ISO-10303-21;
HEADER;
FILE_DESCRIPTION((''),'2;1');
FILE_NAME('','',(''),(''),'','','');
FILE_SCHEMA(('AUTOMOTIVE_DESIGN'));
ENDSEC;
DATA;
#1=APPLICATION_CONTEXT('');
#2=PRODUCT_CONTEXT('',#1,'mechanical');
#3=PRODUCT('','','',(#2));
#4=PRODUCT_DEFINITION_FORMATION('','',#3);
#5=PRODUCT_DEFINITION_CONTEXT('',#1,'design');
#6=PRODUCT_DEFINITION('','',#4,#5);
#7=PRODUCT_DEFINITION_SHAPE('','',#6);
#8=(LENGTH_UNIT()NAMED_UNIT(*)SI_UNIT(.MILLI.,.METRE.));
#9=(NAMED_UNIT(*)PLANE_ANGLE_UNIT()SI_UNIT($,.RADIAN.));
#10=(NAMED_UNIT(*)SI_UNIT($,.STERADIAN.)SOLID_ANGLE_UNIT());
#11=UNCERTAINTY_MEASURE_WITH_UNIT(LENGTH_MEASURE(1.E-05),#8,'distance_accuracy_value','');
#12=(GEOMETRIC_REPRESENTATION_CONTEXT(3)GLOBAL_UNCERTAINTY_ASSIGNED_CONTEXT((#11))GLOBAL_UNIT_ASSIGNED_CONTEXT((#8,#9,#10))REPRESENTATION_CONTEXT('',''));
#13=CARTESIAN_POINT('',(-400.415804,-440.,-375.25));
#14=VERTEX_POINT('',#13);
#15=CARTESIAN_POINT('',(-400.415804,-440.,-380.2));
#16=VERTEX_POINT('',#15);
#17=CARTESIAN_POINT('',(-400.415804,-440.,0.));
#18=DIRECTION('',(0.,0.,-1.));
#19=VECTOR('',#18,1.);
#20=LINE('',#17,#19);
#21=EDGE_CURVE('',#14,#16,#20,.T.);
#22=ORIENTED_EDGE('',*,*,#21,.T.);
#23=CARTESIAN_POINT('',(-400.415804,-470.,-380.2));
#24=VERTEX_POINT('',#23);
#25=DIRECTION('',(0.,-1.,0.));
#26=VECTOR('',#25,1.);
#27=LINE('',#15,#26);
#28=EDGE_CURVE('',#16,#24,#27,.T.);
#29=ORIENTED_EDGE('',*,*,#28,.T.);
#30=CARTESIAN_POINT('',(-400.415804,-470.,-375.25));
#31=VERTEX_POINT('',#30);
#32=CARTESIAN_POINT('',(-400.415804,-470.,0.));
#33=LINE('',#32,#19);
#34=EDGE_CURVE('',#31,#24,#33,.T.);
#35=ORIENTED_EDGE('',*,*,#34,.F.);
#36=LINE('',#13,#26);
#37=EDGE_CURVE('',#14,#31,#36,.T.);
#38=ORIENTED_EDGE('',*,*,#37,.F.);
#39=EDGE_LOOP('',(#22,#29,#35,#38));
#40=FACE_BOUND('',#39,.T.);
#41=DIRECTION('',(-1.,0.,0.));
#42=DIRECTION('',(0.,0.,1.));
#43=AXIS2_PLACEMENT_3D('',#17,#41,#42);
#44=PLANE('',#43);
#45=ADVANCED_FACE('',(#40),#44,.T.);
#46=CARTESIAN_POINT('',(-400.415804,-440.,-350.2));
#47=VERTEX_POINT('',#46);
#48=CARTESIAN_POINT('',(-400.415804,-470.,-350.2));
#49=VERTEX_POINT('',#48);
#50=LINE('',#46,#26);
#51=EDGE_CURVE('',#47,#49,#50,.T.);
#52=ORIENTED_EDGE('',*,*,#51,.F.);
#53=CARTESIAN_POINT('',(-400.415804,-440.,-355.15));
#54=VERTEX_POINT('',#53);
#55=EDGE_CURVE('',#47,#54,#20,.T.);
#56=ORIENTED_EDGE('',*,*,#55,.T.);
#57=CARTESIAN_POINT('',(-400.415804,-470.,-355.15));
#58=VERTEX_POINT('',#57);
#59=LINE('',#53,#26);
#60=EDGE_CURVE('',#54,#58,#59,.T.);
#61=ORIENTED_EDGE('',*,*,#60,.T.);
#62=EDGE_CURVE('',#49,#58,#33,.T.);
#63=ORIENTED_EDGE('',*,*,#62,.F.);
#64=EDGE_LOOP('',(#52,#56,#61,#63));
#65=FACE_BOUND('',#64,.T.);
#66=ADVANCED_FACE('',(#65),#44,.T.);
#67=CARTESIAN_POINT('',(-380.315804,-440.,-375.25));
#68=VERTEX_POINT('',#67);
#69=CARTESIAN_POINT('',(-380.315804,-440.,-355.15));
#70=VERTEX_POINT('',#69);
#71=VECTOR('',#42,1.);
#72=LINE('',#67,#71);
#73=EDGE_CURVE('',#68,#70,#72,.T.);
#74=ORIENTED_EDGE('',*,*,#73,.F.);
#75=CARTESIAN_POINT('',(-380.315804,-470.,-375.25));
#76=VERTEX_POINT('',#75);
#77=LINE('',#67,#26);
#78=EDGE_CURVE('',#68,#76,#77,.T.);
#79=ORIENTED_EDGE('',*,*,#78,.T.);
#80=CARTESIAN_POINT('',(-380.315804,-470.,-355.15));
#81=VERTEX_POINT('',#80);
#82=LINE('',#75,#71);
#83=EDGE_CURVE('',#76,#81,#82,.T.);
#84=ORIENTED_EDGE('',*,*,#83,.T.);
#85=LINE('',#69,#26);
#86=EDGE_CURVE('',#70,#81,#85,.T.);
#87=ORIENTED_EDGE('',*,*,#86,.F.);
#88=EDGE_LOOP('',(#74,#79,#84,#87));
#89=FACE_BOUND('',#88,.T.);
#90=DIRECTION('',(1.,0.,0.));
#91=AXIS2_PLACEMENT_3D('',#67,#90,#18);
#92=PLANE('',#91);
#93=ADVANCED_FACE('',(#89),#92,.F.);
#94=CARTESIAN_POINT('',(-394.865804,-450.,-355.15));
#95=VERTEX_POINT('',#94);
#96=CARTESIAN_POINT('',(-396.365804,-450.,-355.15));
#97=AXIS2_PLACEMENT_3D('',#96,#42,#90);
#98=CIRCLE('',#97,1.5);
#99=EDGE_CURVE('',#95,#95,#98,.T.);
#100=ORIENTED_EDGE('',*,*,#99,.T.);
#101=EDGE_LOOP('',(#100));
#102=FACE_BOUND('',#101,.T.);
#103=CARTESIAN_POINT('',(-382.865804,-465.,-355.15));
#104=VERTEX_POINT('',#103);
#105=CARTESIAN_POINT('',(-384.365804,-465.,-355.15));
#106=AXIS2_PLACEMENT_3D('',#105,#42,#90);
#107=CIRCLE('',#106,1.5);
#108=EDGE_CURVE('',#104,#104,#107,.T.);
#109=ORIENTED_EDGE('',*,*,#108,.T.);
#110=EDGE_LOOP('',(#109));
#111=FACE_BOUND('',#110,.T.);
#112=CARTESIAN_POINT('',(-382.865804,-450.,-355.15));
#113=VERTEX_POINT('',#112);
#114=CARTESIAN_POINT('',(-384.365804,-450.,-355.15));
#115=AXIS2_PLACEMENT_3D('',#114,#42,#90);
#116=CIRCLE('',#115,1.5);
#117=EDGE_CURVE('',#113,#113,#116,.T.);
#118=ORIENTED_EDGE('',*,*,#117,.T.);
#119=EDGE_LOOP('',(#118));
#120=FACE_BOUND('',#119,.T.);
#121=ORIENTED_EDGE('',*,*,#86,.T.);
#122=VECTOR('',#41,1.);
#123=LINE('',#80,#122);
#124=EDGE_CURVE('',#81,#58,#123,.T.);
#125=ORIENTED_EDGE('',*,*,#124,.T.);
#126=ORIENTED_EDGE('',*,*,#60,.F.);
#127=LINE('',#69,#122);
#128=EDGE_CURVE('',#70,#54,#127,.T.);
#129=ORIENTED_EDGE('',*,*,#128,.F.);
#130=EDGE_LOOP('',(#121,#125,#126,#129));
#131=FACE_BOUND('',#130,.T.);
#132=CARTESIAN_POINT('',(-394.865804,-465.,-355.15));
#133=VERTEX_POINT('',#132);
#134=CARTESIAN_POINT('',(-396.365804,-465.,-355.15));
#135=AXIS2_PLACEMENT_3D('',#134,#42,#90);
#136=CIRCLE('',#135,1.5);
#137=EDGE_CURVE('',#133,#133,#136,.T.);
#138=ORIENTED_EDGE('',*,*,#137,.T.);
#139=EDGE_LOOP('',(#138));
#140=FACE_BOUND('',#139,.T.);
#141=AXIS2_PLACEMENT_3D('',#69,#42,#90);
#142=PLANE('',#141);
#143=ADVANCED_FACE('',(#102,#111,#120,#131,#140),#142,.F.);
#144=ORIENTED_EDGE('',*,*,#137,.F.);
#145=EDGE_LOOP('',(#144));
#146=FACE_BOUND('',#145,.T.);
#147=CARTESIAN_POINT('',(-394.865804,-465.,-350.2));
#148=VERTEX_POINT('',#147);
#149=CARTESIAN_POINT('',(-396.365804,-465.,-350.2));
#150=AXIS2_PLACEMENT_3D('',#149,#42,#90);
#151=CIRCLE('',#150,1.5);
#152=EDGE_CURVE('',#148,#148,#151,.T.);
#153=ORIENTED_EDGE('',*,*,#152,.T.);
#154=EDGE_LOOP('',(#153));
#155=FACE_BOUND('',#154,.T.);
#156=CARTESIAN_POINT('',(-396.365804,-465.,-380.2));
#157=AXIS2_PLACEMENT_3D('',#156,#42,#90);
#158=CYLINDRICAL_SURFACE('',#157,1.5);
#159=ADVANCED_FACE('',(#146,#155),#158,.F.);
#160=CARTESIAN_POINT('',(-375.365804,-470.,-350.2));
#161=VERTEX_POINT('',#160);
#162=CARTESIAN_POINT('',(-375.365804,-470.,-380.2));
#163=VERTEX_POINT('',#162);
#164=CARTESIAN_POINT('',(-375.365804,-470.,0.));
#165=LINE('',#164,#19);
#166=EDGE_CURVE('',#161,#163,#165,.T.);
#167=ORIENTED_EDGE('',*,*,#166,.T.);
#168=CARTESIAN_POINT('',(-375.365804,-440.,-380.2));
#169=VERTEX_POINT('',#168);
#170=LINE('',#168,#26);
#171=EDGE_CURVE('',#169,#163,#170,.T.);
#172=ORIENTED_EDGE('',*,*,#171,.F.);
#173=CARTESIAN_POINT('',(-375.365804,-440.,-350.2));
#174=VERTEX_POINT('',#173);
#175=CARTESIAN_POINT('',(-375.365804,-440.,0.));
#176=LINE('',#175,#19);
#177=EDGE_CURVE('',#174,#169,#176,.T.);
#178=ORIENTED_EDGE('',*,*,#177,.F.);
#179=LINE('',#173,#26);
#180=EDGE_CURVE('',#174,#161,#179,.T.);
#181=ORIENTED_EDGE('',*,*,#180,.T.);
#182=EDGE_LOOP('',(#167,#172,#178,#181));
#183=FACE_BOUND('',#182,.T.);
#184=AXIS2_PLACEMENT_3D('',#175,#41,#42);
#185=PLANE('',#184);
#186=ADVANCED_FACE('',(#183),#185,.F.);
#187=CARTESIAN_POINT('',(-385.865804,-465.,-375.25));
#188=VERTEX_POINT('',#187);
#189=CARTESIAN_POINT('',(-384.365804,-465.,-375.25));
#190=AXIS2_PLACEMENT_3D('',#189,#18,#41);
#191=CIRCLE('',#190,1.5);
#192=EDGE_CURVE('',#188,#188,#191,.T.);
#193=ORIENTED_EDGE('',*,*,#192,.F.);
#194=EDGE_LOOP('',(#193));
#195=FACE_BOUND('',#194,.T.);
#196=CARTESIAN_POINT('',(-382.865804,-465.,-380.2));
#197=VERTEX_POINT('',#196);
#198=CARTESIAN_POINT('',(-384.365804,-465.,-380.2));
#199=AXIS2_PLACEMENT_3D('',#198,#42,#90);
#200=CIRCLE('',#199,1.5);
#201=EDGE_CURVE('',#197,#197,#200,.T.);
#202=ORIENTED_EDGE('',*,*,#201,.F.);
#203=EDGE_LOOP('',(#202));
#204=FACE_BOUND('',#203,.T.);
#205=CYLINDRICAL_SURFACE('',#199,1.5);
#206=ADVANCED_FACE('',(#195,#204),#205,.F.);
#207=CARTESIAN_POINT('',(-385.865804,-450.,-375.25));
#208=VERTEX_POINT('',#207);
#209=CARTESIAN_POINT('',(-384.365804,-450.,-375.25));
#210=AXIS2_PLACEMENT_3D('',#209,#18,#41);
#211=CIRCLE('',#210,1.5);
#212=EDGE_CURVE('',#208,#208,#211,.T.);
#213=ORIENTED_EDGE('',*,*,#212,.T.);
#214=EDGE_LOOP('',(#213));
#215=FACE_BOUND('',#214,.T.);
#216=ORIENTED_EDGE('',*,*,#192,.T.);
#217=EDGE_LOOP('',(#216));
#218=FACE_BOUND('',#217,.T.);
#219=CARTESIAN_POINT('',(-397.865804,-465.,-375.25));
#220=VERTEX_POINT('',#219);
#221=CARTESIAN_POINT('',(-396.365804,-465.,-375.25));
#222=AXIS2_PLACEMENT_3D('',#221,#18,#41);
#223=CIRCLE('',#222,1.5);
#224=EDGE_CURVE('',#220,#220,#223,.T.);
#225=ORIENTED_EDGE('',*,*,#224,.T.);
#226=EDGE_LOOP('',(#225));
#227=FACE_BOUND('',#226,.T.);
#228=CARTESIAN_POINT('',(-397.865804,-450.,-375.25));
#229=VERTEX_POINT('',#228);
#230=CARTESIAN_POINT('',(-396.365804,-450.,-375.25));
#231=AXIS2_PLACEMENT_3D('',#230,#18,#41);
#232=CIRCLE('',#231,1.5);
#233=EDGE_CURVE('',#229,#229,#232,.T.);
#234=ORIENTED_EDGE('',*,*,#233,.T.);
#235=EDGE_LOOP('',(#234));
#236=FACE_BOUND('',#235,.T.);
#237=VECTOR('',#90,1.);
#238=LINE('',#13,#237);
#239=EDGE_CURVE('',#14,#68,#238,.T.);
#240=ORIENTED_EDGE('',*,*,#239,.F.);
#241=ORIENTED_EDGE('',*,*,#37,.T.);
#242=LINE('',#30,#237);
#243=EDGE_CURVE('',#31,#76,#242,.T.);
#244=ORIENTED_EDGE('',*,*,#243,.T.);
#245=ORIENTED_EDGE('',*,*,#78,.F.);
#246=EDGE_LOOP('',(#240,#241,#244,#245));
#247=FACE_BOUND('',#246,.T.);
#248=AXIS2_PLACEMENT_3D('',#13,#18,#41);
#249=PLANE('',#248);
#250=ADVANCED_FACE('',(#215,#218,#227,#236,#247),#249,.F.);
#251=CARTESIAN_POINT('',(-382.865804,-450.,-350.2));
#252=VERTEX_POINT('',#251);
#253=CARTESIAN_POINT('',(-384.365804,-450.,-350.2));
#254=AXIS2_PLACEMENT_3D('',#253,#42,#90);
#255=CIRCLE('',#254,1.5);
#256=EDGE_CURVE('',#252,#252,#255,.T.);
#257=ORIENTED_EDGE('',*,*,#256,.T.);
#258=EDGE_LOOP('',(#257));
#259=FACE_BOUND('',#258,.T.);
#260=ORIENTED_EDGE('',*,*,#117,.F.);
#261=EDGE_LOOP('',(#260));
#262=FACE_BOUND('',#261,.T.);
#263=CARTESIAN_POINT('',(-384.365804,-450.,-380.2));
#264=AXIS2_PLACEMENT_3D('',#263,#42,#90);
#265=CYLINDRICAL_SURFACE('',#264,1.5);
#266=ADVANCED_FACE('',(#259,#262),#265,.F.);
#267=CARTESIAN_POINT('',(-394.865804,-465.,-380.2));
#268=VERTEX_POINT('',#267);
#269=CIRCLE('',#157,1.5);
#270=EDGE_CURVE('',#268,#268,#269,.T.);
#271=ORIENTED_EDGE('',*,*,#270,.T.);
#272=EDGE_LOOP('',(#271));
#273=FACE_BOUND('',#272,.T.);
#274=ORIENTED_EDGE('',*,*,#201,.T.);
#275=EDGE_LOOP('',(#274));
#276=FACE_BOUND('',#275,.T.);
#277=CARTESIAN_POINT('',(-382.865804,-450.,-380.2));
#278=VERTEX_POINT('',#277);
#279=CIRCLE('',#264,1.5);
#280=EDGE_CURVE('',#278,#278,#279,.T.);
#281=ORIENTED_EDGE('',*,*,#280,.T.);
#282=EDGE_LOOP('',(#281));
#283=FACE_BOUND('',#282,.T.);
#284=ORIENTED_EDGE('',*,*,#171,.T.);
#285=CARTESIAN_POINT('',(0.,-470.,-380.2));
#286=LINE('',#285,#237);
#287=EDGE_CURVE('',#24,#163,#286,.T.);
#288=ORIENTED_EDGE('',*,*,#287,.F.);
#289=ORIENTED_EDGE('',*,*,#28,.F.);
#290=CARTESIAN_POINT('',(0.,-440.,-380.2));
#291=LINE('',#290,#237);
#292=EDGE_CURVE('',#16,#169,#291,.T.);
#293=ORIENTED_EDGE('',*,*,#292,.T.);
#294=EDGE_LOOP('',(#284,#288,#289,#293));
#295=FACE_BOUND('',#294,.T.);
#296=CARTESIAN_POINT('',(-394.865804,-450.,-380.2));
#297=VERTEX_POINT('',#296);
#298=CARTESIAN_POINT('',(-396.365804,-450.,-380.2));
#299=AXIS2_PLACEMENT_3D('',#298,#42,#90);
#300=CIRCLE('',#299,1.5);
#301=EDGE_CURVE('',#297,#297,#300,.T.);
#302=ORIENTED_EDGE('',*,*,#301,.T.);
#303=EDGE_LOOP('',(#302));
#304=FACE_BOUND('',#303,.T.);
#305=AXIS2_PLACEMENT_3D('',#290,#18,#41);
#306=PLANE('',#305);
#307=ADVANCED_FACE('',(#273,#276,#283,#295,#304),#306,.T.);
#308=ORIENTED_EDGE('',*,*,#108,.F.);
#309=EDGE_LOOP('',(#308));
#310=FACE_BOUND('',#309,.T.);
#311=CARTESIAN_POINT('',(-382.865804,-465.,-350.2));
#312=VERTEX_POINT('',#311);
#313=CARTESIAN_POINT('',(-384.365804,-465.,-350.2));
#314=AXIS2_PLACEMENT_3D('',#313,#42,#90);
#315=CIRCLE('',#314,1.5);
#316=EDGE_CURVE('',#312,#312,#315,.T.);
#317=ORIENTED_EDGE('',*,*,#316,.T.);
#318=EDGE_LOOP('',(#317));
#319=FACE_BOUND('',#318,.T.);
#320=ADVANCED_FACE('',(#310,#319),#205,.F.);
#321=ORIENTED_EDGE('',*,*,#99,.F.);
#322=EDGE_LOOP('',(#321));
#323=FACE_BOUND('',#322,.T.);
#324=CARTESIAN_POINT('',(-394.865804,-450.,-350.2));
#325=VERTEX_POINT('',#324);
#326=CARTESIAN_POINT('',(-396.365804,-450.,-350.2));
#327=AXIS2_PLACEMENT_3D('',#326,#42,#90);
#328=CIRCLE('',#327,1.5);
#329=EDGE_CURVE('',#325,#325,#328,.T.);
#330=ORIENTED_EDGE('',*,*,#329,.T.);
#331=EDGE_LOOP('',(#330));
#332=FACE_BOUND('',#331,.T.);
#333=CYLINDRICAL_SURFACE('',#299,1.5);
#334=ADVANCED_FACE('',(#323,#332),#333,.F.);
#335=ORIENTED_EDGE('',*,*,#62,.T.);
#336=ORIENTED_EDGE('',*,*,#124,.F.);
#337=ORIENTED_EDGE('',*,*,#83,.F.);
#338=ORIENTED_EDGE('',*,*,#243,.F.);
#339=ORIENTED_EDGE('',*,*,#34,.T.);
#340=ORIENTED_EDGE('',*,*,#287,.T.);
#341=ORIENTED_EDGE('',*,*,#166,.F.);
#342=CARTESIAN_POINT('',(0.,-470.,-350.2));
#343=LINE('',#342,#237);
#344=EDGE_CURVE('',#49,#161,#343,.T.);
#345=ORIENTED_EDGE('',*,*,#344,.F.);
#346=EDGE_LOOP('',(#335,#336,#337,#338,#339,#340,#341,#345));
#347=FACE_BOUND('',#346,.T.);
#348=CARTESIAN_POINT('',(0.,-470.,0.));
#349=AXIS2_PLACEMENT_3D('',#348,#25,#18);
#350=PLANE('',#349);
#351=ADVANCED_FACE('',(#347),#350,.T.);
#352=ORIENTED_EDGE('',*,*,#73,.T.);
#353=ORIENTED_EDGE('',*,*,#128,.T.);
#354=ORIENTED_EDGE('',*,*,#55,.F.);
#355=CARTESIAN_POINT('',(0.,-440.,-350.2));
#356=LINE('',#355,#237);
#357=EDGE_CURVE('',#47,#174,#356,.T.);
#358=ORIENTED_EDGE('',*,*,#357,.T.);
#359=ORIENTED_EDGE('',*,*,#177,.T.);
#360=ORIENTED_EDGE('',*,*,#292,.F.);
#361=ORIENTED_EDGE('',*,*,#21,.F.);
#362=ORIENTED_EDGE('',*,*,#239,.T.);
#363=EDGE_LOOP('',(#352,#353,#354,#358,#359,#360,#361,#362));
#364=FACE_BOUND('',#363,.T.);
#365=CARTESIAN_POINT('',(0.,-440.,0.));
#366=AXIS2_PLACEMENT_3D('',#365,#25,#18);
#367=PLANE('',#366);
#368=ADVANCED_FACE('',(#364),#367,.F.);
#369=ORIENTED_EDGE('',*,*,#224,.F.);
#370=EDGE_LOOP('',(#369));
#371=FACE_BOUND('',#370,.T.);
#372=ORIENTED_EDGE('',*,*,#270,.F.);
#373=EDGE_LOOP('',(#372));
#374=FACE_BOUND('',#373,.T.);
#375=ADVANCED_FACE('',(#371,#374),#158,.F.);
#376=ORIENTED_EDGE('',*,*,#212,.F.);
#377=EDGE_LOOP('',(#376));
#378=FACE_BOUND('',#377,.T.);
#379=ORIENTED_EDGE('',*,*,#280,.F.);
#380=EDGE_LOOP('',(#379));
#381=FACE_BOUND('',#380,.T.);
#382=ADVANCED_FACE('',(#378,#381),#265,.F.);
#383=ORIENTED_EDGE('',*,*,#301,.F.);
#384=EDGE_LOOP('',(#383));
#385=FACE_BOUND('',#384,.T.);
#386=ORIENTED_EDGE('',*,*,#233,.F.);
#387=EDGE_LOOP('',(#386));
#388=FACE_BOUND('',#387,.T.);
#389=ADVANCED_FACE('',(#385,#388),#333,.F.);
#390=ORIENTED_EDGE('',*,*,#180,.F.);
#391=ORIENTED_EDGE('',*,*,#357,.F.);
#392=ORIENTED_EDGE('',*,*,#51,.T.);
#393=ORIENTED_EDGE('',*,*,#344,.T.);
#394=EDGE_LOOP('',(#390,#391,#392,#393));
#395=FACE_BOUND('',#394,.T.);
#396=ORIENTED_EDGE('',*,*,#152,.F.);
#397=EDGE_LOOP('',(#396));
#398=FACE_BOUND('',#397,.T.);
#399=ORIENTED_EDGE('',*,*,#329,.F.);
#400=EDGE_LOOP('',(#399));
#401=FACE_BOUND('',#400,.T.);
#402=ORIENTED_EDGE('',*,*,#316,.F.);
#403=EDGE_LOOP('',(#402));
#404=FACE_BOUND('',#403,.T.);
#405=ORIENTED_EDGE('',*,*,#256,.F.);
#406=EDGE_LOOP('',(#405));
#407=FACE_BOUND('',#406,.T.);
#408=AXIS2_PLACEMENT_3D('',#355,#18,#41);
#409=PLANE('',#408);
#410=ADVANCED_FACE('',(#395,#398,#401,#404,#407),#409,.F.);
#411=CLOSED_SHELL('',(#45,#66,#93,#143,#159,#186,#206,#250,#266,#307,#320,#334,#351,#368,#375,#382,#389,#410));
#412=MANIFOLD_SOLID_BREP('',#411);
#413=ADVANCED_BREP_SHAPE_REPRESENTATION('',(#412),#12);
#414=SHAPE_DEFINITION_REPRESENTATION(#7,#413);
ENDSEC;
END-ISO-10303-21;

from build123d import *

# Parameters (mm, degrees)
EXTRUDE1_DEPTH     = 30
SKETCH3_R          = 1.5
CUT_EXTRUDE1_DEPTH = 30


with BuildPart() as part:
    # Sketch2 → Extrude1 (new body)
    with BuildSketch(Plane.XZ.offset(470)):
        Polygon((-380.315803698, -350.2), (-400.415803698, -350.2), (-400.415803698, -355.15), (-380.315803698, -355.15), (-380.315803698, -375.25), (-400.415803698, -375.25), (-400.415803698, -380.2), (-380.315803698, -380.2), (-375.365803698, -380.2), (-375.365803698, -350.2), align=None)
    extrude(amount=-EXTRUDE1_DEPTH)

    # Sketch3 → Cut-Extrude1 (cut)
    with BuildSketch(Plane.XY.offset(-350.2)):
        with Locations((-384.365803698, -465)):
            Circle(SKETCH3_R)
        with Locations((-396.365803698, -465)):
            Circle(SKETCH3_R)
        with Locations((-384.365803698, -450)):
            Circle(SKETCH3_R)
        with Locations((-396.365803698, -450)):
            Circle(SKETCH3_R)
    extrude(amount=-CUT_EXTRUDE1_DEPTH, mode=Mode.SUBTRACT)


solid = part.part
